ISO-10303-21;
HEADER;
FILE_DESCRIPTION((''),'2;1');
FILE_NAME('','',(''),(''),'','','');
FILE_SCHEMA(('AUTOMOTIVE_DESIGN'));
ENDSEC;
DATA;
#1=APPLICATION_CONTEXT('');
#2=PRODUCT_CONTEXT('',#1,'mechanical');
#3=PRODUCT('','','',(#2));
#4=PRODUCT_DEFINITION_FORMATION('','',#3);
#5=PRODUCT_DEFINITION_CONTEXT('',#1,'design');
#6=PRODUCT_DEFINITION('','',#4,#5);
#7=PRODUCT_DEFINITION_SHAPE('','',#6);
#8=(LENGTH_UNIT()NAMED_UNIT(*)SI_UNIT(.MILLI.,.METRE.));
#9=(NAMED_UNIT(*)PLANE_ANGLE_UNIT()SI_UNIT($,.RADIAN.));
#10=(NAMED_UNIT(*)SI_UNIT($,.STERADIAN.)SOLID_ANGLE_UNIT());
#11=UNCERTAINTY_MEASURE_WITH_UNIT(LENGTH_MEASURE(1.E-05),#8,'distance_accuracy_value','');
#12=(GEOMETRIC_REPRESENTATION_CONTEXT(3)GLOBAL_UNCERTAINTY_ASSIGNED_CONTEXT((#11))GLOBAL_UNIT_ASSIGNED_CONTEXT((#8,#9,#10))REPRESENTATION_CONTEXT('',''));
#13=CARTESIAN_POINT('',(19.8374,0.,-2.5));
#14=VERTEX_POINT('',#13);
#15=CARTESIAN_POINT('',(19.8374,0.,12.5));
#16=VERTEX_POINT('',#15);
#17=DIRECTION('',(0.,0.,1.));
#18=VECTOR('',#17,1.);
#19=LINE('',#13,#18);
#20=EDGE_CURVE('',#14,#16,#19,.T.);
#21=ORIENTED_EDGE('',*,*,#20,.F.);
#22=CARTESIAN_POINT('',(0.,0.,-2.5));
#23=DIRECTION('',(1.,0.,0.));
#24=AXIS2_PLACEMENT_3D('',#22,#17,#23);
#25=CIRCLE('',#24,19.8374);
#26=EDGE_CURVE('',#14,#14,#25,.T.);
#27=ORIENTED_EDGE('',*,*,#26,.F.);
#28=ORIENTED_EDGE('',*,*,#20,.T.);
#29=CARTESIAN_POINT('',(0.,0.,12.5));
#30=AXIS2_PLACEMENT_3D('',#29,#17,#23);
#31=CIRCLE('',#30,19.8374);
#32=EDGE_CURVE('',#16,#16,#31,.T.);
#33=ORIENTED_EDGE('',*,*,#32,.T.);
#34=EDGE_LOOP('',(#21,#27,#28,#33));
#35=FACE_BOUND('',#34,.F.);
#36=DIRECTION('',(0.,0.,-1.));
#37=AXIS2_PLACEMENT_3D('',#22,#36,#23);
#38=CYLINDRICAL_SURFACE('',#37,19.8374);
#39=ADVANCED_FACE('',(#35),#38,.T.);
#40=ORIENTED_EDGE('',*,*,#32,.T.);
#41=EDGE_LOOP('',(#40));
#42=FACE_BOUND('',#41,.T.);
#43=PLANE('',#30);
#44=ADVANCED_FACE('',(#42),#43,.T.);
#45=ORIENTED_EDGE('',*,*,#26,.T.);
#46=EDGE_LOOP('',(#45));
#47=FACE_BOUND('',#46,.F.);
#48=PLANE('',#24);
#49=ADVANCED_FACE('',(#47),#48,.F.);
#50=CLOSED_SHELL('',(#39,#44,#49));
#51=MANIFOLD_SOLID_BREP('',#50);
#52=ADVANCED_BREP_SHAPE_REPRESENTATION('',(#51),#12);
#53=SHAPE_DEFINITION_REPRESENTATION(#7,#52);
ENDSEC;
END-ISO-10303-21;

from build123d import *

# Parameters (mm, degrees)
CYLINDER_R     = 19.8374
CYLINDER_DEPTH = 15


with BuildPart() as part:
    # Cylinder → Cylinder (new body)
    with BuildSketch(Plane.XY.offset(-2.5)):
        Circle(CYLINDER_R)
    extrude(amount=CYLINDER_DEPTH)


solid = part.part
